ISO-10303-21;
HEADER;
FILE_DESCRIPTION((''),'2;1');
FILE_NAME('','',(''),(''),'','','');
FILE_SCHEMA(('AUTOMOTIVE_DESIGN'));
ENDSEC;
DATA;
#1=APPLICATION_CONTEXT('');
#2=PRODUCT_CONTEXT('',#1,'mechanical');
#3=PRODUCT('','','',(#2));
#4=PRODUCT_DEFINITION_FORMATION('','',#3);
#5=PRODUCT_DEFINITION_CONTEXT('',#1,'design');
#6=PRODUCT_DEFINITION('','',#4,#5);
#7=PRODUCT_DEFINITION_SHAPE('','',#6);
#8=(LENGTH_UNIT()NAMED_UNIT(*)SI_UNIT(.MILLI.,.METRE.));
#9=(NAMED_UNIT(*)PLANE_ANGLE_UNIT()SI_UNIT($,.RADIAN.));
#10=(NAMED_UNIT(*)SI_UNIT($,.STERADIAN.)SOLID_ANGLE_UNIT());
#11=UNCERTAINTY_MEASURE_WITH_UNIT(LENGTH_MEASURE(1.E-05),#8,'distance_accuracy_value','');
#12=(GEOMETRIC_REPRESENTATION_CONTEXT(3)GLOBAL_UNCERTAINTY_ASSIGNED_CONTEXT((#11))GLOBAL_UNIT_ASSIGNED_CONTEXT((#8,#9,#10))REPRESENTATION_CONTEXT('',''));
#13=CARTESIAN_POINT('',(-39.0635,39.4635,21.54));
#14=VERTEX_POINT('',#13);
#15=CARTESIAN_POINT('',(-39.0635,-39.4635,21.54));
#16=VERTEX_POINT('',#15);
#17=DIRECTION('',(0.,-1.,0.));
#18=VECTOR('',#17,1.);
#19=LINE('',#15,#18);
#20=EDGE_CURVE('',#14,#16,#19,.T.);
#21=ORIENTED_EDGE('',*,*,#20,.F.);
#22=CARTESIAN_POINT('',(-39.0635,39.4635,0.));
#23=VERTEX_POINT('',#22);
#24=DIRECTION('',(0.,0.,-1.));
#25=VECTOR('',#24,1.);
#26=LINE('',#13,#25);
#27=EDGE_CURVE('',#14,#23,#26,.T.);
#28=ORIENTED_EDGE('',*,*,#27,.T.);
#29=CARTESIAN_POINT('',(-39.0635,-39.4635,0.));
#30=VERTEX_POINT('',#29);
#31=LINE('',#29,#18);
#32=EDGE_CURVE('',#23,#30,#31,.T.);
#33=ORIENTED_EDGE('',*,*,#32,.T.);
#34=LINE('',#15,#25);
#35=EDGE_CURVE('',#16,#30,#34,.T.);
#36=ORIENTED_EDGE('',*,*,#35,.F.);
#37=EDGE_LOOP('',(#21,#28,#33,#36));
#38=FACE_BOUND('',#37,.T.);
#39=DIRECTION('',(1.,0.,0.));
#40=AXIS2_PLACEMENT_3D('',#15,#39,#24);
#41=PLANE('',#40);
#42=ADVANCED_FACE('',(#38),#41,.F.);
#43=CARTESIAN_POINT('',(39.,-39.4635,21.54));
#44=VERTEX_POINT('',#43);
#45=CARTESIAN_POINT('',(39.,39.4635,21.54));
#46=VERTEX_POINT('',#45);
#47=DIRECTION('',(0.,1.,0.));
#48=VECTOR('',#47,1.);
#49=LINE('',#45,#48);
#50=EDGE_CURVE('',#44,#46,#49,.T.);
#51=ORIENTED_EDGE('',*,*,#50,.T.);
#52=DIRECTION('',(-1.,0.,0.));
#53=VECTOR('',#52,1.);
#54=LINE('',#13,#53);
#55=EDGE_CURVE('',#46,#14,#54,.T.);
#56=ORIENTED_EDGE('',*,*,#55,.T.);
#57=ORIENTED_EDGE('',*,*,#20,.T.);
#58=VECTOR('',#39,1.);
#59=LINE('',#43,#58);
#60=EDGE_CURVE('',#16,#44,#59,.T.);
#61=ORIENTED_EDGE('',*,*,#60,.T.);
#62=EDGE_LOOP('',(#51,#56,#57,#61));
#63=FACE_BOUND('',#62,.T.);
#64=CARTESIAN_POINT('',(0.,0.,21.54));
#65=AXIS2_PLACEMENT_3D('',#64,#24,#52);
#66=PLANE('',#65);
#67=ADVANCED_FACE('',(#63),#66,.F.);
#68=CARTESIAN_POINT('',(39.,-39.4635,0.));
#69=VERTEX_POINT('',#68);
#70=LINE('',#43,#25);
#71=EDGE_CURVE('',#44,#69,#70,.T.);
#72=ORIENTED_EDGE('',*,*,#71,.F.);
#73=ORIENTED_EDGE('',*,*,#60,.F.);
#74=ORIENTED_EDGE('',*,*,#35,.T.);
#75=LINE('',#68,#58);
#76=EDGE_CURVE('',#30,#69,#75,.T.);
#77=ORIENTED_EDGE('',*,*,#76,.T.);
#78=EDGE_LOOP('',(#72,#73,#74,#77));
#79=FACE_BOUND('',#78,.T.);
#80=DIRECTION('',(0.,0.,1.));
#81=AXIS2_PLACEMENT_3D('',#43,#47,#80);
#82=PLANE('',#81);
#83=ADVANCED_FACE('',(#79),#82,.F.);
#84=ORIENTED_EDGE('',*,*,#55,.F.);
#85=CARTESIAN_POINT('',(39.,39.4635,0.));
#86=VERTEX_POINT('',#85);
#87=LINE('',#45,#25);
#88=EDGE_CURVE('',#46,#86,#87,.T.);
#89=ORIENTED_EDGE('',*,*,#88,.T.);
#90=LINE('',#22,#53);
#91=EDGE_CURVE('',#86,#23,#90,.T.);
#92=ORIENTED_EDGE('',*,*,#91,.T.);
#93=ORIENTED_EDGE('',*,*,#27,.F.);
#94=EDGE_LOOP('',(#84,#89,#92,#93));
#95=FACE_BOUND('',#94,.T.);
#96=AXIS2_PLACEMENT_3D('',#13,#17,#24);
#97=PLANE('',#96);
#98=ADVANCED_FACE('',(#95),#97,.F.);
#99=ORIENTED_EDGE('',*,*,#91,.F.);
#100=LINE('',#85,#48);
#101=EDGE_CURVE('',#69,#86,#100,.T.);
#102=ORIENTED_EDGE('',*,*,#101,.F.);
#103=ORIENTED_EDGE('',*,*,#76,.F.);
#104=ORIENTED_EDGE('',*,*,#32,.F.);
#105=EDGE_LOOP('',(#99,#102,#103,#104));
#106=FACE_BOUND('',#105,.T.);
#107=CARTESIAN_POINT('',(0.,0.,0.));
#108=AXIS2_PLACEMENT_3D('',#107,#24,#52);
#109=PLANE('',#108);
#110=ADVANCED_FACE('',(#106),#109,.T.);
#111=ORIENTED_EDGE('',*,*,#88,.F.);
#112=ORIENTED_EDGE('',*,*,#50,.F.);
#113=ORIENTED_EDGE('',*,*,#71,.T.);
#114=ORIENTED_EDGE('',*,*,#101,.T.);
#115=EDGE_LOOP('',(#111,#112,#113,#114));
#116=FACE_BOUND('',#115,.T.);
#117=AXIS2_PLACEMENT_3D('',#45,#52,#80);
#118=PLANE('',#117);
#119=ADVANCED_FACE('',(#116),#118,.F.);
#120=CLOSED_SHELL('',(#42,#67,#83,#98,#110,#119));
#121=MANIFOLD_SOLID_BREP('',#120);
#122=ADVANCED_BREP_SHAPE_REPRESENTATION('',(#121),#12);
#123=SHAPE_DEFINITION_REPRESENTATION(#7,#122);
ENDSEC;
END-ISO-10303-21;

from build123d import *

# Parameters (mm, degrees)
SKETCH1_W               = 78.0635
SKETCH1_H               = 78.927
COMPONENT_OUTLINE_DEPTH = 21.54


with BuildPart() as part:
    # Sketch1 → Component_Outline (new body)
    with BuildSketch(Plane.XY):
        with Locations((-0.03175, 0)):
            Rectangle(SKETCH1_W, SKETCH1_H)
    extrude(amount=COMPONENT_OUTLINE_DEPTH)


solid = part.part
